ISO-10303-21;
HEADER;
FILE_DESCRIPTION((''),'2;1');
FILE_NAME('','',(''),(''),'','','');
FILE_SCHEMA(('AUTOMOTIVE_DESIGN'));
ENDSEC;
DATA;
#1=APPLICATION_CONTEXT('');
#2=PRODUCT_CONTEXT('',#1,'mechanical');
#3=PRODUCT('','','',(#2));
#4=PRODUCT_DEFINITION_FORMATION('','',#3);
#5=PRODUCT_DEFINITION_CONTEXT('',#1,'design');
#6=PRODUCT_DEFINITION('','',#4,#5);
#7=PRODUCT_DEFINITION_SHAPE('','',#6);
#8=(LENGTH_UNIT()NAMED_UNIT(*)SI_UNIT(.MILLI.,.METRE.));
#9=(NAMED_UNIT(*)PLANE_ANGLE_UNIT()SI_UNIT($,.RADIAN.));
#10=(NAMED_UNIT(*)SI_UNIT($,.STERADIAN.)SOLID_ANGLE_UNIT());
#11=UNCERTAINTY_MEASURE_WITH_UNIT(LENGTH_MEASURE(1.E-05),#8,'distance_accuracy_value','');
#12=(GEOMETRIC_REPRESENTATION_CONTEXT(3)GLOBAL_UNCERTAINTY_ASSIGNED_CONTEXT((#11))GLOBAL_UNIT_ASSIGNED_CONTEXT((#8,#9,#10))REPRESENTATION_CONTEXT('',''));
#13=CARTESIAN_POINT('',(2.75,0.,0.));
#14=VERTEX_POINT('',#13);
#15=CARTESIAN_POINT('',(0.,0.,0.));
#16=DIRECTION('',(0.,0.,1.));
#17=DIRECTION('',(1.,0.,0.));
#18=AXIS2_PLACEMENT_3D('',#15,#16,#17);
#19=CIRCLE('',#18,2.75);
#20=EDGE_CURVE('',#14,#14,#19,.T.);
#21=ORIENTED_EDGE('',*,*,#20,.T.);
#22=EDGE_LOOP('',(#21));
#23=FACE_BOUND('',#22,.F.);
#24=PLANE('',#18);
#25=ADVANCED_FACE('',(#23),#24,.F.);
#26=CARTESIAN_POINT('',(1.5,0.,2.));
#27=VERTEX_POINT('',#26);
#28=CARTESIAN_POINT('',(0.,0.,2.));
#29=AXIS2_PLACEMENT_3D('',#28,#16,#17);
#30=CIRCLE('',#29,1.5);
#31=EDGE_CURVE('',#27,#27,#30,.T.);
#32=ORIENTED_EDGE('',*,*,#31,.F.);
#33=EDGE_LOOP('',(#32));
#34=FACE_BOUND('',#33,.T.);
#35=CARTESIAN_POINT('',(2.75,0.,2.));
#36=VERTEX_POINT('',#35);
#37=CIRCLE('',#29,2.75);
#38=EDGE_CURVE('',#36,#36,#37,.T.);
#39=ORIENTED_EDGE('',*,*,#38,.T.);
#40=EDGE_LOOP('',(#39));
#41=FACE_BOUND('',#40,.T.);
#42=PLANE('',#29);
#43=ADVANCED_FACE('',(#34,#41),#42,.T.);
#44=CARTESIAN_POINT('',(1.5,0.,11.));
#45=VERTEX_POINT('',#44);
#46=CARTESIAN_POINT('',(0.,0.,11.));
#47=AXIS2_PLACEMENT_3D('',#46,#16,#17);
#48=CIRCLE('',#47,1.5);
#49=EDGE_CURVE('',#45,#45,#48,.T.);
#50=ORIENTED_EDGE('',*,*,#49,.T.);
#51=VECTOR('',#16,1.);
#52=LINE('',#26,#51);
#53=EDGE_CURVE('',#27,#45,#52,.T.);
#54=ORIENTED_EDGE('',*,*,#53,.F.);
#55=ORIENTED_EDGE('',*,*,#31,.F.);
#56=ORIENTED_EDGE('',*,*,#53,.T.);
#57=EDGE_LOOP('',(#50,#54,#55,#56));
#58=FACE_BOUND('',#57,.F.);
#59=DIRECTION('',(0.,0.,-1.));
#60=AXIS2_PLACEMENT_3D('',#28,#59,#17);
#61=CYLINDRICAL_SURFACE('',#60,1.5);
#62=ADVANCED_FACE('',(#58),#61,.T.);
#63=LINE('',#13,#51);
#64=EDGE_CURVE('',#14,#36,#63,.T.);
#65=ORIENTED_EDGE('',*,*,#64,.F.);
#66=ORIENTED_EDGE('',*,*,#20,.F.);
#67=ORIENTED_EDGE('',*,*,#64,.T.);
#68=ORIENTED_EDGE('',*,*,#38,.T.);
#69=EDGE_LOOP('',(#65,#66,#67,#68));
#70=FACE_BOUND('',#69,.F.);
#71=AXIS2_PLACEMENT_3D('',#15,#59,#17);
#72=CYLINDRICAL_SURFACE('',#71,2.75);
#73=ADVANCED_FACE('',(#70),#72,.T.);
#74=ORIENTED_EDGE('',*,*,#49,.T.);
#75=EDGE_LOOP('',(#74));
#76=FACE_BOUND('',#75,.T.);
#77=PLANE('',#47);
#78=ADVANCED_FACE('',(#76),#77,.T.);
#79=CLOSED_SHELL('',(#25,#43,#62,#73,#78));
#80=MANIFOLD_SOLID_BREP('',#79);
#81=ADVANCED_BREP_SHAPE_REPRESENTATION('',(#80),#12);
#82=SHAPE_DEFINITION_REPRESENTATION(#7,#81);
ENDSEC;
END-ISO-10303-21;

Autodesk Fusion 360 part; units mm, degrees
ref_plane "工作平面1" through (0, 0, 0) normal (0, 0, 1) x (1, 0, 0)
sketch "草图1" plane through (0, 0, 0) normal (0, 0, 1) x (1, 0, 0)
  circle A0 centre (0, 0) radius 2.75
extrude "Rivet flange 5.5 x 2 mm" add sketch "草图1" along normal blind 2
ref_plane "工作平面2" through (0, 0, 2) normal (0, 0, 1) x (1, 0, 0)
sketch "草图2" plane through (0, 0, 2) normal (0, 0, 1) x (1, 0, 0)
  circle A0 centre (0, 0) radius 1.5
extrude "3 mm rivet shank through ear and metal tab" add sketch "草图2" along normal blind 9
